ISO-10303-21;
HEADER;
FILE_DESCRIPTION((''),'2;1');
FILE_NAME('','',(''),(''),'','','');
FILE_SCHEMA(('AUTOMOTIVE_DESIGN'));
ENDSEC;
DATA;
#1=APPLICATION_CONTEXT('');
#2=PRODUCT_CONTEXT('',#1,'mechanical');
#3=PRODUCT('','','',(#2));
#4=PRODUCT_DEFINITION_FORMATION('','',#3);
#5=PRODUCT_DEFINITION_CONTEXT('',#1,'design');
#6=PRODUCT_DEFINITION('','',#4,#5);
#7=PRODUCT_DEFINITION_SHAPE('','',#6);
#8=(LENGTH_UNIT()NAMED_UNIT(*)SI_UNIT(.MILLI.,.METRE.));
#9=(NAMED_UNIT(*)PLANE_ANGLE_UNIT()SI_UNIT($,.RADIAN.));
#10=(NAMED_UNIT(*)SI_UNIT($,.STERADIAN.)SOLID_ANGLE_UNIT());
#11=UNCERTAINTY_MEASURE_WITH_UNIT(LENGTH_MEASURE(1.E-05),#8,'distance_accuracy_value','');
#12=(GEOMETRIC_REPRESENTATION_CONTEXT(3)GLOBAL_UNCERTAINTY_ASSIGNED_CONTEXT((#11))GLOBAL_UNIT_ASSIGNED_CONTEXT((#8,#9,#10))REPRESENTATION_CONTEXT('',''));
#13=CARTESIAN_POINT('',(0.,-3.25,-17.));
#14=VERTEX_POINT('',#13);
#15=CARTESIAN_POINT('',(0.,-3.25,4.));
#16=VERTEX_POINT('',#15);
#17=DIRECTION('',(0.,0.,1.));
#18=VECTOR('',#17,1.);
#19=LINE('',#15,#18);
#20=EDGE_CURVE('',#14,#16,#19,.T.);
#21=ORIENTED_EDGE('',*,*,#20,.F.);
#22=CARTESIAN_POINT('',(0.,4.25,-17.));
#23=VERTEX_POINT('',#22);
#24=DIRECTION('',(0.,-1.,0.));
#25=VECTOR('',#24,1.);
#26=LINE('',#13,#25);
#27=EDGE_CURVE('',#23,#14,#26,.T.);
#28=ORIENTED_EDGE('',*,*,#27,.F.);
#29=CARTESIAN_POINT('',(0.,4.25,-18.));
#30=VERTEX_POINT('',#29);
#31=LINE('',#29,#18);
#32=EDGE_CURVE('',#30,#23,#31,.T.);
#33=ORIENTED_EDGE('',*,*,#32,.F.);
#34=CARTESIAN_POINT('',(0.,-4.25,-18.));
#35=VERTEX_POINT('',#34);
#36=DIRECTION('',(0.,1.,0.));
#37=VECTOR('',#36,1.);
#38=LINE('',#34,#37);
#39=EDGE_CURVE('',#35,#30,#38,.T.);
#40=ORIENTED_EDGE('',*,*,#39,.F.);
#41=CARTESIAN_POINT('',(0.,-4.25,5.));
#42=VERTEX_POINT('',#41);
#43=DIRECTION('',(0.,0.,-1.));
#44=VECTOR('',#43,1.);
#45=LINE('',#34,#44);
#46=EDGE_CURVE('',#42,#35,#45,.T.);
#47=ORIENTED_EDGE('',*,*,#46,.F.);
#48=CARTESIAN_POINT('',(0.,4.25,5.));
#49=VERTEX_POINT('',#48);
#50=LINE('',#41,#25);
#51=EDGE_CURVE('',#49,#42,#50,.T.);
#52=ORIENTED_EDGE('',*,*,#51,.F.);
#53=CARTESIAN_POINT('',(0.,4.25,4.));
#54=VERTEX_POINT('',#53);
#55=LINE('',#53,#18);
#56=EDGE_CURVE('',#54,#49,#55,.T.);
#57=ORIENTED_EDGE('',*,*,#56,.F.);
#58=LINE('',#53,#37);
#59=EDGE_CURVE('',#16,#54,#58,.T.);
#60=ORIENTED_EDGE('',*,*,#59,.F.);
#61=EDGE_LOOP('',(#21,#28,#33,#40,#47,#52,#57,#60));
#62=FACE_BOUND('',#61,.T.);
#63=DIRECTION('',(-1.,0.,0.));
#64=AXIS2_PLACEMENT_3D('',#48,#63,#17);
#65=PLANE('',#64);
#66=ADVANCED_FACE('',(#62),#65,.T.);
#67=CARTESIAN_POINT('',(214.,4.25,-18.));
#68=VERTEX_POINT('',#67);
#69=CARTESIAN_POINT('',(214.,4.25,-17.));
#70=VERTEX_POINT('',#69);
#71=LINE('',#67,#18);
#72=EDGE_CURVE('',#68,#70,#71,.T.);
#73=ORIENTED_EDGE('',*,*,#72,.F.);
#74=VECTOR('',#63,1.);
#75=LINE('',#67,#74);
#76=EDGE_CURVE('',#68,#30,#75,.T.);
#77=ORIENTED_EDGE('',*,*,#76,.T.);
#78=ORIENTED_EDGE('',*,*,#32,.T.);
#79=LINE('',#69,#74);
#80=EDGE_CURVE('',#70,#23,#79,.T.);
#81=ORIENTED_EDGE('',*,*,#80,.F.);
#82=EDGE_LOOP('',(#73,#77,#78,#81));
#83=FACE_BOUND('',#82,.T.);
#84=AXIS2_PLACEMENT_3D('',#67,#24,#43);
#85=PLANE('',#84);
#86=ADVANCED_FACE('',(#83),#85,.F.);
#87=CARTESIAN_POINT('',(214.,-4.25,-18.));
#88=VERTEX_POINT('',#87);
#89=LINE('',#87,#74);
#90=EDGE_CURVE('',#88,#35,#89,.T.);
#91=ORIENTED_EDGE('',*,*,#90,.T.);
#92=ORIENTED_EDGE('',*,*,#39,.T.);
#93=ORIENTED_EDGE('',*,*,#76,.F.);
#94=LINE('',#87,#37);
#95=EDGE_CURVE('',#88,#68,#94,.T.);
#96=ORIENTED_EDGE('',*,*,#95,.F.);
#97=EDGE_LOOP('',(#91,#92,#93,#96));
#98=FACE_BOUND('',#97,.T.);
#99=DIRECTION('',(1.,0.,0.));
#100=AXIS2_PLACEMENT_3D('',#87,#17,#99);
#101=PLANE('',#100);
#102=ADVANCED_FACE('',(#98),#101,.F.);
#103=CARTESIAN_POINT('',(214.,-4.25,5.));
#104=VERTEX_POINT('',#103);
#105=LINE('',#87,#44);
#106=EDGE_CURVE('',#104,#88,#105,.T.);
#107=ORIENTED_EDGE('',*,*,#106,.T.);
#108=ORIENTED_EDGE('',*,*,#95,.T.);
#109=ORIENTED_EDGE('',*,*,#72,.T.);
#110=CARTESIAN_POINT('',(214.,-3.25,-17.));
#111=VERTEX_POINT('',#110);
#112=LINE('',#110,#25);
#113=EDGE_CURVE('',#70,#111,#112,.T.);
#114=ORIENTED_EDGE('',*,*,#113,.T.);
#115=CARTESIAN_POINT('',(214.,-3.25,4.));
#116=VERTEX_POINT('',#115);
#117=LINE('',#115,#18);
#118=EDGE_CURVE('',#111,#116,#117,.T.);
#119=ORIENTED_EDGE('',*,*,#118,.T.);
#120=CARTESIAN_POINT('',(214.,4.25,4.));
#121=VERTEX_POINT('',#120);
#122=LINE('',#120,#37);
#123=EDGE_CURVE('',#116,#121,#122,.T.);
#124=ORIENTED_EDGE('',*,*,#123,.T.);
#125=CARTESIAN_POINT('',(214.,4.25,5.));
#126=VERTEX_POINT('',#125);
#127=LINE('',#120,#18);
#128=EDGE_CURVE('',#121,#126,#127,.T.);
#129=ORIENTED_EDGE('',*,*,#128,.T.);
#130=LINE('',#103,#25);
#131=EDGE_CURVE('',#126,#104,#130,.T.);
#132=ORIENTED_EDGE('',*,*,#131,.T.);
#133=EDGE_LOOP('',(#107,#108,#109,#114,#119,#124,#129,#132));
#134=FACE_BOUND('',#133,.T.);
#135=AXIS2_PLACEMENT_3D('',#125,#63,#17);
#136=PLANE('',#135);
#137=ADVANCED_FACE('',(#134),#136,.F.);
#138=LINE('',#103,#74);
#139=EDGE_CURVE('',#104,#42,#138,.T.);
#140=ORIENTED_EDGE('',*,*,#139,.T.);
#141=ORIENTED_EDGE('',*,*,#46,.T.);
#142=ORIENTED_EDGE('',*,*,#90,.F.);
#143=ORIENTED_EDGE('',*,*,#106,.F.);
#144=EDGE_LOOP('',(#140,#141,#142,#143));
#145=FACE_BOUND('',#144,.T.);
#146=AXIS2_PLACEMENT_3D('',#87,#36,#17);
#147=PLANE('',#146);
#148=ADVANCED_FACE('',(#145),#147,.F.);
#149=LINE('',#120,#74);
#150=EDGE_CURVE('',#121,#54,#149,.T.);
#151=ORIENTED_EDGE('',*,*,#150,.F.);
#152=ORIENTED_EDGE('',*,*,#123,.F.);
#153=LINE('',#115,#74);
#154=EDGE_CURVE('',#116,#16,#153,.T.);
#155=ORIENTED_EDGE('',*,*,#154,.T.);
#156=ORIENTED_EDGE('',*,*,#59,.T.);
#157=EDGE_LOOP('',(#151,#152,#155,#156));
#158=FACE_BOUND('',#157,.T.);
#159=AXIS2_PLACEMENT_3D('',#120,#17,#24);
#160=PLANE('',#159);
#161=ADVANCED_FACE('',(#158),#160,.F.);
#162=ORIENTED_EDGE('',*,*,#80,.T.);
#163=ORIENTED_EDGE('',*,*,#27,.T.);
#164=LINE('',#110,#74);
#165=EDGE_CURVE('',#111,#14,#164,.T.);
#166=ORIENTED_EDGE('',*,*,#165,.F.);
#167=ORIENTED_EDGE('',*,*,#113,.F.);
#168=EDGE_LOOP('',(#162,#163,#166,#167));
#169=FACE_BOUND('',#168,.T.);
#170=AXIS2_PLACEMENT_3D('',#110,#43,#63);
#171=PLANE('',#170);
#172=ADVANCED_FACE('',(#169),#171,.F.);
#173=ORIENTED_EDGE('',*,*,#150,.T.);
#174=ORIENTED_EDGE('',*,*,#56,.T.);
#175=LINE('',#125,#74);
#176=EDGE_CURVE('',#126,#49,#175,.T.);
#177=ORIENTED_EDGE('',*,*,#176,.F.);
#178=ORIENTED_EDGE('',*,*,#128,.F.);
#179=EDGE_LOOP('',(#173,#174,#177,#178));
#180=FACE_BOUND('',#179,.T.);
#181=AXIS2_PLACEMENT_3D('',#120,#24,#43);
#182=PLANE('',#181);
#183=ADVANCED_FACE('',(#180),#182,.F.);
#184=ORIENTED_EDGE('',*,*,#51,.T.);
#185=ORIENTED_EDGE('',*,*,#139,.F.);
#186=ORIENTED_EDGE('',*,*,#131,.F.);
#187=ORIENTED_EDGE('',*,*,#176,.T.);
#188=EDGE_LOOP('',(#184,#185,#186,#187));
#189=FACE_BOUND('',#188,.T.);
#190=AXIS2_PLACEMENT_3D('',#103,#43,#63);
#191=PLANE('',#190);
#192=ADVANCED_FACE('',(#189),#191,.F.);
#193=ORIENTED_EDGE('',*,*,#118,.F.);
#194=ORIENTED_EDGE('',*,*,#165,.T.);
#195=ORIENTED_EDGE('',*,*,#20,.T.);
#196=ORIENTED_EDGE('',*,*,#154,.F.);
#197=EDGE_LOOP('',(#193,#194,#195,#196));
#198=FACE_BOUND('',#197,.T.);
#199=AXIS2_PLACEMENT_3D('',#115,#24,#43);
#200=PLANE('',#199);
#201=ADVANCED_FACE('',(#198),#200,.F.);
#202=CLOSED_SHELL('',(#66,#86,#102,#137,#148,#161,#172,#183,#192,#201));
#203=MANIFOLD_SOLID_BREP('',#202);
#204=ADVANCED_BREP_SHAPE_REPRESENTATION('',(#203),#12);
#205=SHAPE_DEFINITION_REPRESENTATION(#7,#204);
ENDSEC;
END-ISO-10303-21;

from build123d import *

# Parameters (mm, degrees)
BOSS_EXTRUDE1_DEPTH = 214


with BuildPart() as part:
    # Sketch2 → Boss-Extrude1 (new body)
    with BuildSketch(Plane(origin=(0, 0, 0), x_dir=(0, 0, -1), z_dir=(1, 0, 0))):
        Polygon((-4, 4.25), (-4, -3.25), (17, -3.25), (17, 4.25), (18, 4.25), (18, -4.25), (-5, -4.25), (-5, 4.25), align=None)
    extrude(amount=BOSS_EXTRUDE1_DEPTH)


solid = part.part
